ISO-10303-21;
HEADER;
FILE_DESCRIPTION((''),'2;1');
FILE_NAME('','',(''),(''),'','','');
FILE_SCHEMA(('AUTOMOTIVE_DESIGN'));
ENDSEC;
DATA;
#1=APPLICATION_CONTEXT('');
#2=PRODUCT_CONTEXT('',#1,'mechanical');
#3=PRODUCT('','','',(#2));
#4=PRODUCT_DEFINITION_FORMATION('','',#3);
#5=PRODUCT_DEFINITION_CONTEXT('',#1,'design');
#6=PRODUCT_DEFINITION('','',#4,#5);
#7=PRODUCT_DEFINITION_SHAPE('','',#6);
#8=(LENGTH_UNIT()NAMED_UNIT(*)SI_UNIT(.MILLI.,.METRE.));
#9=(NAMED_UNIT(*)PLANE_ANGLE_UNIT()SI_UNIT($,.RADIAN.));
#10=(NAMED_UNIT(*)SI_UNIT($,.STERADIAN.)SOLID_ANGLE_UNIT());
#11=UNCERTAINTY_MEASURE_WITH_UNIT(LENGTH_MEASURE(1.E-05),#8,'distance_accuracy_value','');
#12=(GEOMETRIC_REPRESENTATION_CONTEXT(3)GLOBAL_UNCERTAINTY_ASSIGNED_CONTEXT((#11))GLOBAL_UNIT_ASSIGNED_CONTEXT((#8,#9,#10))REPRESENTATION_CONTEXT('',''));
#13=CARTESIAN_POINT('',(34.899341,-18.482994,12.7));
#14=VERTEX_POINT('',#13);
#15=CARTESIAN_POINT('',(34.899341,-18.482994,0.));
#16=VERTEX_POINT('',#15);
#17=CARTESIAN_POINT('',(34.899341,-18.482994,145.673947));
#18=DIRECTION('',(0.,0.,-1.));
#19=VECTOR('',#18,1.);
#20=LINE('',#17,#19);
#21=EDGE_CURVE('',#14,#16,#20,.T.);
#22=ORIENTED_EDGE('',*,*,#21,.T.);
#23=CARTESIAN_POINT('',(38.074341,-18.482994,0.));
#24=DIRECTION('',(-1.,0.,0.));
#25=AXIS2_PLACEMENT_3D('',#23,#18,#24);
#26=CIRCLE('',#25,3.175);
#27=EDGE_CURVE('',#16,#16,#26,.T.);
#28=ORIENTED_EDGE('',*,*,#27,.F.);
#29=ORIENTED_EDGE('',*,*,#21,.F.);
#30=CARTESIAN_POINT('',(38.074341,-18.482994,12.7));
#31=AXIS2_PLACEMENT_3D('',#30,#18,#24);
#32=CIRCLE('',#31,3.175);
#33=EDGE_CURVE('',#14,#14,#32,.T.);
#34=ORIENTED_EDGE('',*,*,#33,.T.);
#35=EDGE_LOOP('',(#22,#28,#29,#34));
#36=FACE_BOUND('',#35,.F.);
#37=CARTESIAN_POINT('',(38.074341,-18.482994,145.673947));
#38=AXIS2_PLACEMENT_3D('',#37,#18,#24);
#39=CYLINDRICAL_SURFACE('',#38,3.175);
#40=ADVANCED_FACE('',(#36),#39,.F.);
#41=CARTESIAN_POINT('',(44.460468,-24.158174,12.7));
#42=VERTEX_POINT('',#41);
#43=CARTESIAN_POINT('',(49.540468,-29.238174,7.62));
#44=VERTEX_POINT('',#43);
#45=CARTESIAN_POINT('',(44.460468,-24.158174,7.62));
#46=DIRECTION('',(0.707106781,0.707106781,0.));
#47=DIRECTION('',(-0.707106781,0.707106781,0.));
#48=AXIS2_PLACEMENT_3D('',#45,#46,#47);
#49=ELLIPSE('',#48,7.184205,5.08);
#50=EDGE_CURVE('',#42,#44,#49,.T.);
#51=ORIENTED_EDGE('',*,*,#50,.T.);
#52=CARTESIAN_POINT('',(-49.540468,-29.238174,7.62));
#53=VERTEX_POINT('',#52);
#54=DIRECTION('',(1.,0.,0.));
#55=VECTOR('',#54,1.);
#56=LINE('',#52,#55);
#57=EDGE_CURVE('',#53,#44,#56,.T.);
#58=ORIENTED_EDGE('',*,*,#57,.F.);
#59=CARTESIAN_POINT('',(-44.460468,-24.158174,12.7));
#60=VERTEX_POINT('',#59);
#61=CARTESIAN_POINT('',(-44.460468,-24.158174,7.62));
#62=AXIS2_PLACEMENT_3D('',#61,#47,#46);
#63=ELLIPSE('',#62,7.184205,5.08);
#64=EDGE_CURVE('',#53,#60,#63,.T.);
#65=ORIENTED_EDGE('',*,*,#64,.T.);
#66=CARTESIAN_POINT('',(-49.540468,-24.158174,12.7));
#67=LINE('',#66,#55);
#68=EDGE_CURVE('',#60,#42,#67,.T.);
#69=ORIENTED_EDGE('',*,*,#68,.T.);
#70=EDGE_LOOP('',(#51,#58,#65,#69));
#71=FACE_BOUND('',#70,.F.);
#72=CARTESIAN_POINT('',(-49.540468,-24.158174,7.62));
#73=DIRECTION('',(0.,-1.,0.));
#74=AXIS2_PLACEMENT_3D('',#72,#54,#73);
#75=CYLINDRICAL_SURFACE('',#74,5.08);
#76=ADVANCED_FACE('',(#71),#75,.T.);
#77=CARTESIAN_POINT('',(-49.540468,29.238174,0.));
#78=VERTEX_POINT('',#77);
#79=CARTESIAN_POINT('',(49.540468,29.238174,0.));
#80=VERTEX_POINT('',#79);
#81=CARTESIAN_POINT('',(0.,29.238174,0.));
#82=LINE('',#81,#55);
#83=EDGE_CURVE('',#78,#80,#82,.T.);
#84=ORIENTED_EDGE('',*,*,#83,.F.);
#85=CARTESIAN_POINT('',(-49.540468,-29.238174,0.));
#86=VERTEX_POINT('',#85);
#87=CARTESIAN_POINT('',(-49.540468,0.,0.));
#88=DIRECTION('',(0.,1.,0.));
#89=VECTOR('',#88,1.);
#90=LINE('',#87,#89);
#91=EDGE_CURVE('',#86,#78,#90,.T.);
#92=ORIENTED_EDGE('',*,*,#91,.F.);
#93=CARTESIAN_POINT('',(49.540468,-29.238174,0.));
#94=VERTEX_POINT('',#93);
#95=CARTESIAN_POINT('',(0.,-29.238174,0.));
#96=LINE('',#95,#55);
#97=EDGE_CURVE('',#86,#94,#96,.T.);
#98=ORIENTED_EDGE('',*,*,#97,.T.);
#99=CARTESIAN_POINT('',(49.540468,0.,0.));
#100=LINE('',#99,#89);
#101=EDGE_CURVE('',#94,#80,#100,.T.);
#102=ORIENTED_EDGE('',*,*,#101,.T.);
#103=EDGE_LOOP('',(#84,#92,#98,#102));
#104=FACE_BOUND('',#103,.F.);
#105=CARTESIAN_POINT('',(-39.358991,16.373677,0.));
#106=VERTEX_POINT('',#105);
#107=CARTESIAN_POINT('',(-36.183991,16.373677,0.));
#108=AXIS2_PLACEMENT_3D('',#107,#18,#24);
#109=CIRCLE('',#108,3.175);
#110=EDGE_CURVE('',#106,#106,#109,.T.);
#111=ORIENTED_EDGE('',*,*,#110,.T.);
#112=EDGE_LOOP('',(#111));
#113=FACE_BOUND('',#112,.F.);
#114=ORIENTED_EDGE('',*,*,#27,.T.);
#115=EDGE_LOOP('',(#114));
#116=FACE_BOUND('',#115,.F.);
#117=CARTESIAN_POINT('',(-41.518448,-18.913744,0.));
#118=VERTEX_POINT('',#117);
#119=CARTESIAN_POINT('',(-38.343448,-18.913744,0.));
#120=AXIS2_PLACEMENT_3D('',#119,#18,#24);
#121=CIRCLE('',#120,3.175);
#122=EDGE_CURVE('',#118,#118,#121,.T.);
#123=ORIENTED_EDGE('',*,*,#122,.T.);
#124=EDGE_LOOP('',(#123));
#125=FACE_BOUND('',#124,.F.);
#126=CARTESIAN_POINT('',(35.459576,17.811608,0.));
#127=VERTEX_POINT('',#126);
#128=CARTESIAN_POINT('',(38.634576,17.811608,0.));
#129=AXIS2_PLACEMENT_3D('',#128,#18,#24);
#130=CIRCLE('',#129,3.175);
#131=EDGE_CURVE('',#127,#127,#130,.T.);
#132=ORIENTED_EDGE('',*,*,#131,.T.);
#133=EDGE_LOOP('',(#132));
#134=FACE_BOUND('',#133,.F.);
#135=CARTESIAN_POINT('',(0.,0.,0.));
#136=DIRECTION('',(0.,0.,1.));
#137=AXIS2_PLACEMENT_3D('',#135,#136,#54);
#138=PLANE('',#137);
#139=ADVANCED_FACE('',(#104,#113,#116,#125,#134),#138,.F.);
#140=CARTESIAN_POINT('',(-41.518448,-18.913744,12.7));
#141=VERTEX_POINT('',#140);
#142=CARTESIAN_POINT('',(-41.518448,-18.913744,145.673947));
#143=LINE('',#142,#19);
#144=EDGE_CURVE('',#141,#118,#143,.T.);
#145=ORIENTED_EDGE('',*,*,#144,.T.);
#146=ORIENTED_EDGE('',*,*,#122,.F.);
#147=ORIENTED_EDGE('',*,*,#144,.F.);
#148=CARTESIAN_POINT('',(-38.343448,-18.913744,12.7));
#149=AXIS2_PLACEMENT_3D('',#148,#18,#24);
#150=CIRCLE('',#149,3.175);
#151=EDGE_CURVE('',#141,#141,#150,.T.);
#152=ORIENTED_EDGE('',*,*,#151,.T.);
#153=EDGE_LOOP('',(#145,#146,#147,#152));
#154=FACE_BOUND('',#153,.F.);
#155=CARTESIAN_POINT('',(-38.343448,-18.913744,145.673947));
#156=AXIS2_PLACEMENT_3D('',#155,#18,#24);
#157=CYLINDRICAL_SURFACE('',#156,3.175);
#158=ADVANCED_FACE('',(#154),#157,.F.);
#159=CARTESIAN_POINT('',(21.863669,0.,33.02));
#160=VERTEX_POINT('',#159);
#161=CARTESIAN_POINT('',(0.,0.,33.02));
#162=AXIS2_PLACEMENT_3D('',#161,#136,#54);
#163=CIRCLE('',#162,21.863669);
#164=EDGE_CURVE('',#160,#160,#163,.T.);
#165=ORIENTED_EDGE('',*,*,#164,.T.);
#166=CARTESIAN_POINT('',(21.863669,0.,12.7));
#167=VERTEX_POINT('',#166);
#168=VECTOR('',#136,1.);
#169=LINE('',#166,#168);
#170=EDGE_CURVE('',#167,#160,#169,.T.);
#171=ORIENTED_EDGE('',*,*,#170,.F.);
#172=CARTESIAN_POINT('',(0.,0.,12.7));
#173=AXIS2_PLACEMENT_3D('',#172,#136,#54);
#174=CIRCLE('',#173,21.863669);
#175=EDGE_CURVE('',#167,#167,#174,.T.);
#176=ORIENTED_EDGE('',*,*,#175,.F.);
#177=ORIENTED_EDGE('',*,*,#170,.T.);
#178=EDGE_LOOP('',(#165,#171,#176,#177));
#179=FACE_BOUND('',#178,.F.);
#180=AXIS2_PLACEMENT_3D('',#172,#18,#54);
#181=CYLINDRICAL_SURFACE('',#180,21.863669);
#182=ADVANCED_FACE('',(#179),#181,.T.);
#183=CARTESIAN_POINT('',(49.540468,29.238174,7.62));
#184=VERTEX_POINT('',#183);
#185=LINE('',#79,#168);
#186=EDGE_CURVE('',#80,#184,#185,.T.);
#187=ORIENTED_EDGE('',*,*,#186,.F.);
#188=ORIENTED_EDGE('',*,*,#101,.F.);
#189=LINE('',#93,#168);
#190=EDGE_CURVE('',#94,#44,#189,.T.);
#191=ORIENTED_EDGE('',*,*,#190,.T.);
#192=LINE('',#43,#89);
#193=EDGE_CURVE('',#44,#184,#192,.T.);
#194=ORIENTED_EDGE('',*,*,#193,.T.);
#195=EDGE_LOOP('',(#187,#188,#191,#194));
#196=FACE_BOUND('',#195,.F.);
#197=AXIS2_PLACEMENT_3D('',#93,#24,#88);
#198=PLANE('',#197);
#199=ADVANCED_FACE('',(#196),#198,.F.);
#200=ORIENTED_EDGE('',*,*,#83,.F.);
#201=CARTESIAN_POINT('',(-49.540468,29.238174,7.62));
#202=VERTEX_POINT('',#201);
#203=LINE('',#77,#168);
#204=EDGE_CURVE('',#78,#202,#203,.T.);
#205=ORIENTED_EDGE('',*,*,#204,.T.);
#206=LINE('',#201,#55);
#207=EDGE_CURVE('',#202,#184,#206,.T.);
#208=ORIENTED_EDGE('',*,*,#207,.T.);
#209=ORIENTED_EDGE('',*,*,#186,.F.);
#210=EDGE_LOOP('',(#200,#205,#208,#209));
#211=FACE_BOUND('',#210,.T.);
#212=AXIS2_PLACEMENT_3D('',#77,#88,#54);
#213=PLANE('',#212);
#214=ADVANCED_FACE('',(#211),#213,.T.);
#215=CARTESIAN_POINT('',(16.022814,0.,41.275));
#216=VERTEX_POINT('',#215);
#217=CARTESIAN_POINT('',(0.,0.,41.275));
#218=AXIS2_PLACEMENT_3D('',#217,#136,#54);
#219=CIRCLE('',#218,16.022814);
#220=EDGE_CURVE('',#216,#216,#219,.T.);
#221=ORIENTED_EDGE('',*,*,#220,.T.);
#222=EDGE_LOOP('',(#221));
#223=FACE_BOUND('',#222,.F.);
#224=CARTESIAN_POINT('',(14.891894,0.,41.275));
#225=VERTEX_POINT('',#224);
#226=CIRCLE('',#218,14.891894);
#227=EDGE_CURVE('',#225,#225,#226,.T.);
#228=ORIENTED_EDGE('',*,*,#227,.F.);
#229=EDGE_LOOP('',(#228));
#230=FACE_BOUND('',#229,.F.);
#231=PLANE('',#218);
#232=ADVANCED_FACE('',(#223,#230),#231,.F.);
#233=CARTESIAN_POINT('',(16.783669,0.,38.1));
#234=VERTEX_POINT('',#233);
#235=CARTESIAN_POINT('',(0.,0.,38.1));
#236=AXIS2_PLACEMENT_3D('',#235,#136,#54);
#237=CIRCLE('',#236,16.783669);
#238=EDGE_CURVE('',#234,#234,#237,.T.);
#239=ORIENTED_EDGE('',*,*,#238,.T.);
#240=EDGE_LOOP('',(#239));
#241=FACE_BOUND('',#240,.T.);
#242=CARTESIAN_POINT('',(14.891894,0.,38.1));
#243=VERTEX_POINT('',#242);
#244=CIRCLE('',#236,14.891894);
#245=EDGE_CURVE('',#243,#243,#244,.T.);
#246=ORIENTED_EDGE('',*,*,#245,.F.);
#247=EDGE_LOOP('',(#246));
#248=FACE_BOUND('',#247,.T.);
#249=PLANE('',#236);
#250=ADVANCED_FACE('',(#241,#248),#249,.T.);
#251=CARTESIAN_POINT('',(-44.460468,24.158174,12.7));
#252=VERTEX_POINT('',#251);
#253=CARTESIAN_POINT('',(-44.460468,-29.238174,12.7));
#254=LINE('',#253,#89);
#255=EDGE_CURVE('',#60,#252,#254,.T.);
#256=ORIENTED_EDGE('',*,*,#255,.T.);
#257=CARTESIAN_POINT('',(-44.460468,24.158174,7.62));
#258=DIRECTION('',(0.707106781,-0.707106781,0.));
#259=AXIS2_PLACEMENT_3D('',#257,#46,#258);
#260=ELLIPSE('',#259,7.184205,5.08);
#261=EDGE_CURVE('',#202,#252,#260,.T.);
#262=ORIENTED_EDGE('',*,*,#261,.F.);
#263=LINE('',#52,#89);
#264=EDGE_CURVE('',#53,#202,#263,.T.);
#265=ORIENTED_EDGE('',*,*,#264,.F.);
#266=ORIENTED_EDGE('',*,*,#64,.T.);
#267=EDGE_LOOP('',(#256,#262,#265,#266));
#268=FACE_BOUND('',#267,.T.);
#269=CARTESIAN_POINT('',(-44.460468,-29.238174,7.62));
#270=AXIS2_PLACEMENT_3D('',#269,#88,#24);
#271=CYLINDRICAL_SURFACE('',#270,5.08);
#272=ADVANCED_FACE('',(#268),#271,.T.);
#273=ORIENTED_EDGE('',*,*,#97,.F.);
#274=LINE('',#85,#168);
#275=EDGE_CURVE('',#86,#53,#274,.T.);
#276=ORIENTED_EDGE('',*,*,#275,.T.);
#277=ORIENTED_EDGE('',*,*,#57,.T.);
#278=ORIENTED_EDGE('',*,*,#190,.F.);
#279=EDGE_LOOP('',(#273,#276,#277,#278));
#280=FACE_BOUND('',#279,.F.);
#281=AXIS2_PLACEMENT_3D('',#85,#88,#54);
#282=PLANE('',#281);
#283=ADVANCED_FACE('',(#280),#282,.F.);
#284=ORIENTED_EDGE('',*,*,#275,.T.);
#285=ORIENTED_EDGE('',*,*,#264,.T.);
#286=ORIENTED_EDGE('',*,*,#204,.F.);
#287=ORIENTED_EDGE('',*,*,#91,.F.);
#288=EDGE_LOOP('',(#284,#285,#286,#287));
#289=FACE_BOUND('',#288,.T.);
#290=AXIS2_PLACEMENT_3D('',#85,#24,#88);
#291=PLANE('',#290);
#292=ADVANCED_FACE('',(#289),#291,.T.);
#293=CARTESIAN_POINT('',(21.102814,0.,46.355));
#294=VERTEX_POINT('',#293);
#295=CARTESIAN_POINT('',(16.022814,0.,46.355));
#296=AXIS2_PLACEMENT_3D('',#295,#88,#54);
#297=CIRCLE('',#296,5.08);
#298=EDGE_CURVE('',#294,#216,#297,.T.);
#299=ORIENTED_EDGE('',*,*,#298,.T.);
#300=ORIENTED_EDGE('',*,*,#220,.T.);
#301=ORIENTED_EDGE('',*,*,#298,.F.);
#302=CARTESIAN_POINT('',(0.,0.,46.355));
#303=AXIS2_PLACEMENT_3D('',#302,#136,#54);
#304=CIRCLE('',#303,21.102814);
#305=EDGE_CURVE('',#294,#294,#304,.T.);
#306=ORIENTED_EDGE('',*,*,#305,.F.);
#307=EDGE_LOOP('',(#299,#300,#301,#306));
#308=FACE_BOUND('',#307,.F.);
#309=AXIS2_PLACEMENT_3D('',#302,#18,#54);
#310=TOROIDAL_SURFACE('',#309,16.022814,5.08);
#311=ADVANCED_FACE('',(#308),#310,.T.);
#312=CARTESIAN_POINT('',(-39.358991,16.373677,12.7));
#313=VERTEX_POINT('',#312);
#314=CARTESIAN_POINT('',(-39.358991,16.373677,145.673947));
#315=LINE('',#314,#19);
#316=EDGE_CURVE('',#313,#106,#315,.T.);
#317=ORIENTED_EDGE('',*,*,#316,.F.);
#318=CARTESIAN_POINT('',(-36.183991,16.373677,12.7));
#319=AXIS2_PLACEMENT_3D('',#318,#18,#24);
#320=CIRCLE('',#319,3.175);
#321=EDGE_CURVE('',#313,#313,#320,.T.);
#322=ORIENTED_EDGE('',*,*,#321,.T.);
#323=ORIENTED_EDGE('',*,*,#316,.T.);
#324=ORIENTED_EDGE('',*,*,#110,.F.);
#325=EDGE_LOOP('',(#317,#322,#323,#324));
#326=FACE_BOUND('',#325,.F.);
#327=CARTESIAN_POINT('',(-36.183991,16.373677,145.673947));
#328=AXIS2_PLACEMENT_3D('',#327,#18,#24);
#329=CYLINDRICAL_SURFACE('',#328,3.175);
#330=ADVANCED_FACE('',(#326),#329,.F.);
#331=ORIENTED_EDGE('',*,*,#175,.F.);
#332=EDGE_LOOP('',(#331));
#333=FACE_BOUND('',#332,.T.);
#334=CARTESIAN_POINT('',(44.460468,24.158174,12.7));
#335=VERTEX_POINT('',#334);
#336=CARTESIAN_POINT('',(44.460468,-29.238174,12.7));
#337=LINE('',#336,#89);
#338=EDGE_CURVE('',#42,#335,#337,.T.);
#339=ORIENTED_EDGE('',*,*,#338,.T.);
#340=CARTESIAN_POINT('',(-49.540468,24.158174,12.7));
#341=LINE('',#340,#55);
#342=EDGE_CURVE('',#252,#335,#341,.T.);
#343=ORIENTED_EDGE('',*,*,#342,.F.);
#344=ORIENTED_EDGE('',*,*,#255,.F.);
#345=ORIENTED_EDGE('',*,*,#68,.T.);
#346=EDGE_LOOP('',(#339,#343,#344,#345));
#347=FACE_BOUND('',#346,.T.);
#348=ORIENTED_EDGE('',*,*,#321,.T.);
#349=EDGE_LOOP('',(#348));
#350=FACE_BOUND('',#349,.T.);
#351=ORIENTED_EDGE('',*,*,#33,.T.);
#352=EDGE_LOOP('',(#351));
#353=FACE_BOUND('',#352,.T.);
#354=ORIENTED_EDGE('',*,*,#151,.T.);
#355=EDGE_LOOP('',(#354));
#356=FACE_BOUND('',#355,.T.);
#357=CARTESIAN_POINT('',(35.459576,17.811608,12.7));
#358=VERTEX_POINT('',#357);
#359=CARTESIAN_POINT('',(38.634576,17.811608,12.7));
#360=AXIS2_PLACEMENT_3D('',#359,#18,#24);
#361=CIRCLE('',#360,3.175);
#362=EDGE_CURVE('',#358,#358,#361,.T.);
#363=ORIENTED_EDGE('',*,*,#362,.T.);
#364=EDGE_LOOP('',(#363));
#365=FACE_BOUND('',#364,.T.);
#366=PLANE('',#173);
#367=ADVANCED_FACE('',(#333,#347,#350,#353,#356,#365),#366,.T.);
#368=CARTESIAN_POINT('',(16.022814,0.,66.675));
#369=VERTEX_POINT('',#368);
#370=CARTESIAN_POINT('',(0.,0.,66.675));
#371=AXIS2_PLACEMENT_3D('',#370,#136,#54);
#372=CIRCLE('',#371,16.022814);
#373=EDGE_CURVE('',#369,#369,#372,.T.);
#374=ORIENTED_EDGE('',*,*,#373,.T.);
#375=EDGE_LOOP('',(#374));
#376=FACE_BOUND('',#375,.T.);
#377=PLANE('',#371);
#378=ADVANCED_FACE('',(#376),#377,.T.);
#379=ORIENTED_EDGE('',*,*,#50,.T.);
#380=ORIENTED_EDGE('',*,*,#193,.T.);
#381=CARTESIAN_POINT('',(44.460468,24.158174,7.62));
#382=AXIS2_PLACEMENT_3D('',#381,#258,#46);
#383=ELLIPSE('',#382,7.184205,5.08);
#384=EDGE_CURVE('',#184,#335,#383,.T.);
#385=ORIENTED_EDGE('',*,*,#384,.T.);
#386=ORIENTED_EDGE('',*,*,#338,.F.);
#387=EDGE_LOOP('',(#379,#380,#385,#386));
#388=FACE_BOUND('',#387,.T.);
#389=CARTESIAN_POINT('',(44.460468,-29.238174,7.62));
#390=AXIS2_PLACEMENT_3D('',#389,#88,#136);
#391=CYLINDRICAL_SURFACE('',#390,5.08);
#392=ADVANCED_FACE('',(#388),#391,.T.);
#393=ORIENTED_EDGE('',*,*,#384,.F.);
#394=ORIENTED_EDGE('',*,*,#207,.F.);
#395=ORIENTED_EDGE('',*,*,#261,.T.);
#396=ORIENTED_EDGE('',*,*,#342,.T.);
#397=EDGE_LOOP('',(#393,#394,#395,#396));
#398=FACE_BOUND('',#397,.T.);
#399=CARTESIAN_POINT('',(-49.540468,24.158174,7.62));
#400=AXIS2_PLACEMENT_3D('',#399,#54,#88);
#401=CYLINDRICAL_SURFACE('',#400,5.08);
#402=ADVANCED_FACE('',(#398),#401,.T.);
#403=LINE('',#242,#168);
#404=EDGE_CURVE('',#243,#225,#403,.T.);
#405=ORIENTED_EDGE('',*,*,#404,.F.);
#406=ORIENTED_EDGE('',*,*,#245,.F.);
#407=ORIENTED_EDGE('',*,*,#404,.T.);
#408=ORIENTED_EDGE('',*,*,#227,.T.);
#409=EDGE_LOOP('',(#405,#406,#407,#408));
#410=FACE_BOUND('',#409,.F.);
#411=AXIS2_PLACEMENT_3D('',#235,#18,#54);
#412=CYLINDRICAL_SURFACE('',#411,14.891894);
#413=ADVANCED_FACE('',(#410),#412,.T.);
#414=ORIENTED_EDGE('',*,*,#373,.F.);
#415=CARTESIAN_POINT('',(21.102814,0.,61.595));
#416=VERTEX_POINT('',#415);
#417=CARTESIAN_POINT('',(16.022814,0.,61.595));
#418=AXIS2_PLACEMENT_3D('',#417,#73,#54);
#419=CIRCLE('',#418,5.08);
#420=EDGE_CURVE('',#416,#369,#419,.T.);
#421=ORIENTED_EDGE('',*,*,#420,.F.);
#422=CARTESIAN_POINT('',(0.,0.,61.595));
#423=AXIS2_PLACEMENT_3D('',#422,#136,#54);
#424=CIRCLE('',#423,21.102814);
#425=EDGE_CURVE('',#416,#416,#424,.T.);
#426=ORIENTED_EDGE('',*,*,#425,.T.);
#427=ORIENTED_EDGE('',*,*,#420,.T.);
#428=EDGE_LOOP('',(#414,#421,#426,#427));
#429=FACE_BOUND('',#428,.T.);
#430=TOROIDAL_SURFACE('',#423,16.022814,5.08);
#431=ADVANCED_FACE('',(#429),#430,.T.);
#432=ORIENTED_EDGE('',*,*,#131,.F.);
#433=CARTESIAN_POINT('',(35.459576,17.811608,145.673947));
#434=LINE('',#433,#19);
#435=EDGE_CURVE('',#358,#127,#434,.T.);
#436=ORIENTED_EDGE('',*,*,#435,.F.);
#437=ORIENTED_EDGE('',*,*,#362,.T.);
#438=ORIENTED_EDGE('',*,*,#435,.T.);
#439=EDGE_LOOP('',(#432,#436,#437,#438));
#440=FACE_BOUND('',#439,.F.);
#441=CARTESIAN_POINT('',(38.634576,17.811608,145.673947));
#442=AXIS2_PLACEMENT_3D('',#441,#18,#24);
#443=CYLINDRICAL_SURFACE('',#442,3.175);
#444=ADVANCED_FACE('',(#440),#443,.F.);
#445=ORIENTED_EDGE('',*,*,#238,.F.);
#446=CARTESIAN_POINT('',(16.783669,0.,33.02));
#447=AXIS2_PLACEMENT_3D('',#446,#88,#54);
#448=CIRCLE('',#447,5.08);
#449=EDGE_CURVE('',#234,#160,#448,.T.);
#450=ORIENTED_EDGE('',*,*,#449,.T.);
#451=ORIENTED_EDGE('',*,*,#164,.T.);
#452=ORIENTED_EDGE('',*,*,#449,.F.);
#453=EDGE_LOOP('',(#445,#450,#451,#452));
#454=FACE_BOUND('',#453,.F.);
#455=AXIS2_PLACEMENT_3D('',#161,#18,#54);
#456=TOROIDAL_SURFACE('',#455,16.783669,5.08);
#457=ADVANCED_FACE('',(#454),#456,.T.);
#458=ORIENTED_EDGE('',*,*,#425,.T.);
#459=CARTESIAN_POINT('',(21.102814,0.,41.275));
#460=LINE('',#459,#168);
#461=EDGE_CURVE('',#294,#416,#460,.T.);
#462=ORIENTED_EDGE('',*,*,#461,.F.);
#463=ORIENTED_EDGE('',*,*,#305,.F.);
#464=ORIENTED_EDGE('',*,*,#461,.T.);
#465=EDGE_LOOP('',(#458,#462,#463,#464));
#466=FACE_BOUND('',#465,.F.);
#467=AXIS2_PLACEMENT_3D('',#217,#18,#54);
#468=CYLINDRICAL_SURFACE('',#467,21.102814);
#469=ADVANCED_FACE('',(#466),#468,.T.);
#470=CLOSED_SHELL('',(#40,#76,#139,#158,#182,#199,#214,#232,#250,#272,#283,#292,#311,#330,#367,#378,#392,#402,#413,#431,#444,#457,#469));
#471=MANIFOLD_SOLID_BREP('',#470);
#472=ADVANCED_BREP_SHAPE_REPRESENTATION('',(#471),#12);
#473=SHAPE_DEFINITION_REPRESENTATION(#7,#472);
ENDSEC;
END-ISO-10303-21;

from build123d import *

# Parameters (mm, degrees)
F0_W     = 99.0809351206
F0_H     = 58.4763474762
F0_R     = 16.3683146095
F1_DEPTH = 12.7
F2_R     = 21.8636685636
F3_DEPTH = 25.4
F4_R     = 5.08
F5_R     = 14.8918944932
F6_DEPTH = 3.175
F7_R     = 21.1028142618
F7_R_2   = 14.8918944932
F8_DEPTH = 25.4
F9_R     = 5.08
F11_D    = 6.35
F12_R    = 5.08


with BuildPart() as f1:
    # F0 (on Top) → F1 (new body)
    with BuildSketch(Plane.XY):
        Rectangle(F0_W, F0_H)
        Circle(F0_R, mode=Mode.SUBTRACT)
        Circle(F0_R)
    extrude(amount=F1_DEPTH)

    # F2 (on face) → F3 (join)
    with BuildSketch(Plane.XY.offset(12.7)):
        Circle(F2_R)
    extrude(amount=F3_DEPTH)

    # F4
    f4_edges = [f1.edges().sort_by_distance(p)[0] for p in [
        (0, 29.238174, 12.7),
        (49.540468, 0, 12.7),
        (0, -29.238174, 12.7),
        (-49.540468, 0, 12.7),
    ]]
    fillet(f4_edges, radius=F4_R)

    # F5 (on face) → F6 (join)
    with BuildSketch(Plane.XY.offset(38.1)):
        Circle(F5_R)
    extrude(amount=F6_DEPTH)

    # F7 (on face) → F8 (join)
    with BuildSketch(Plane.XY.offset(41.275)):
        Circle(F7_R)
        Circle(F7_R_2, mode=Mode.SUBTRACT)
        Circle(F7_R_2)
    extrude(amount=F8_DEPTH)

    # F9
    f9_edges = [f1.edges().sort_by_distance(p)[0] for p in [
        (-21.102814, 0, 41.275),
        (-21.863669, 0, 38.1),
    ]]
    fillet(f9_edges, radius=F9_R)

    # F11 (through all)
    with Locations(Plane.XY.offset(12.7)):
        with Locations((38.6345759034, 17.8116075695), (38.0743406713, -18.4829942882), (-36.1839905381, 16.3736771792), (-38.3434481919, -18.9137440175)):
            Hole(F11_D / 2)

    # F12
    f12_edges = [f1.edges().sort_by_distance(p)[0] for p in [
        (-21.102814, 0, 66.675),
    ]]
    fillet(f12_edges, radius=F12_R)


solid = f1.part
